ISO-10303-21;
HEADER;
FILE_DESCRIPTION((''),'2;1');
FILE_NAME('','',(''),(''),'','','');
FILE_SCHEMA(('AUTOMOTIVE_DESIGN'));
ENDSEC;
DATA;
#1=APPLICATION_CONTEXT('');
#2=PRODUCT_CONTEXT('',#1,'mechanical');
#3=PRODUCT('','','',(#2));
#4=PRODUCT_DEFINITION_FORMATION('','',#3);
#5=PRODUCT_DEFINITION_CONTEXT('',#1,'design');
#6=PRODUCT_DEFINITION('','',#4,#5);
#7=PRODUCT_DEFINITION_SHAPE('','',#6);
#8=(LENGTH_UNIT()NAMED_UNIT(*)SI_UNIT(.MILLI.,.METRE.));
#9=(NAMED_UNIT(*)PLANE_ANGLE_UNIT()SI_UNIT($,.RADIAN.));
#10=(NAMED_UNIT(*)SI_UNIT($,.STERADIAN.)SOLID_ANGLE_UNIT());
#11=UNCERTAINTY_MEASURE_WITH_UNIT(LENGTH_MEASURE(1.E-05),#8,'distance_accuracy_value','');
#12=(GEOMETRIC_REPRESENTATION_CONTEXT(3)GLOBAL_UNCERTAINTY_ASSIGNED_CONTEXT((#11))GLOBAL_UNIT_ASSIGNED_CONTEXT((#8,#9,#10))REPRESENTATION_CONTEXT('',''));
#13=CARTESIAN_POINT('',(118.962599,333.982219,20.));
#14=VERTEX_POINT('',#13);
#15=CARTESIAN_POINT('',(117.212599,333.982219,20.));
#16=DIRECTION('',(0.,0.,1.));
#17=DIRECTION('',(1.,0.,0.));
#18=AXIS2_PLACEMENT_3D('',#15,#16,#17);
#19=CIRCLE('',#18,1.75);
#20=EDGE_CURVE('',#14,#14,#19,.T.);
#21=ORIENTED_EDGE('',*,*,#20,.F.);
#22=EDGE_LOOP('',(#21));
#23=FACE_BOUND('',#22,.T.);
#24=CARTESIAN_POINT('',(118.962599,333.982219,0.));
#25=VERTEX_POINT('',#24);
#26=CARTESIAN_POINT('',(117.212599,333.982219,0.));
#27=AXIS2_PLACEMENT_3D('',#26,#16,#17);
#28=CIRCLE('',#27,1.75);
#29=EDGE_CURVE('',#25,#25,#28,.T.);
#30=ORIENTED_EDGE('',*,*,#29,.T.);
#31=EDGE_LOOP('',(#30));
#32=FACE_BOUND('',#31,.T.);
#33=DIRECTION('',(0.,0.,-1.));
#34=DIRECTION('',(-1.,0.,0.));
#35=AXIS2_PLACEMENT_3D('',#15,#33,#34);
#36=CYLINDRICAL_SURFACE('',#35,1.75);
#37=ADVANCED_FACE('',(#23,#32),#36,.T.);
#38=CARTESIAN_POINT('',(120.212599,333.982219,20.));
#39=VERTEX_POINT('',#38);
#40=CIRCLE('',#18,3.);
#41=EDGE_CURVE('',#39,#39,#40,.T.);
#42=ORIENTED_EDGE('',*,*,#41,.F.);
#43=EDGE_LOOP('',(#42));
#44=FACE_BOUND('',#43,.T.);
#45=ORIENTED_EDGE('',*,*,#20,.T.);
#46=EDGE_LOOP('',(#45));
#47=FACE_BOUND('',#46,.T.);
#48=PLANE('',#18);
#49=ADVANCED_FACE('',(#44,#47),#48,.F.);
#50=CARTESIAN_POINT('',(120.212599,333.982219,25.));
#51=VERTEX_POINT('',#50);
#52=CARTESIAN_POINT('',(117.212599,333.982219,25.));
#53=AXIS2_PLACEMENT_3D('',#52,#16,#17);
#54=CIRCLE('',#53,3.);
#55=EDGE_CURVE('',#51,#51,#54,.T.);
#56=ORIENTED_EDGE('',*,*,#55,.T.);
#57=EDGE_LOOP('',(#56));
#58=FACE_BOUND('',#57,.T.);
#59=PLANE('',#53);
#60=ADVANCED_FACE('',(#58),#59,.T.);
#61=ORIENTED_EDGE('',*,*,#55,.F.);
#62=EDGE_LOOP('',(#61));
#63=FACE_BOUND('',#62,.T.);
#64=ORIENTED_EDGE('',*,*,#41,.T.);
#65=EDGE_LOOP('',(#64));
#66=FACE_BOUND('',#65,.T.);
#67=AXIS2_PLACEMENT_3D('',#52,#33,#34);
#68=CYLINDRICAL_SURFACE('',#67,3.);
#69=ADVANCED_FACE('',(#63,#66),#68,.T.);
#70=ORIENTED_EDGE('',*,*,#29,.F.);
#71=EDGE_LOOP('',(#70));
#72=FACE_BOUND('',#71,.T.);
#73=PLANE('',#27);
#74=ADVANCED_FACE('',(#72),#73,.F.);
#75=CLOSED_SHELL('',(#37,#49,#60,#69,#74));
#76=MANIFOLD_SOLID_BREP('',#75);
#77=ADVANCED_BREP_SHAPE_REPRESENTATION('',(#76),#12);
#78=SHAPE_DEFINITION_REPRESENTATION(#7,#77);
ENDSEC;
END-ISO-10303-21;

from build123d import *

# Parameters (mm, degrees)
SKETCH1_R           = 1.75
BOSS_EXTRUDE1_DEPTH = 20
SKETCH2_R           = 3
BOSS_EXTRUDE2_DEPTH = 5


with BuildPart() as part:
    # Sketch1 → Boss-Extrude1 (new body)
    with BuildSketch(Plane.XY):
        with Locations((117.212598601, 333.982219225)):
            Circle(SKETCH1_R)
    extrude(amount=BOSS_EXTRUDE1_DEPTH)

    # Sketch2 → Boss-Extrude2 (add)
    with BuildSketch(Plane.XY.offset(20)):
        with Locations((117.212598601, 333.982219225)):
            Circle(SKETCH2_R)
    extrude(amount=BOSS_EXTRUDE2_DEPTH)


solid = part.part
